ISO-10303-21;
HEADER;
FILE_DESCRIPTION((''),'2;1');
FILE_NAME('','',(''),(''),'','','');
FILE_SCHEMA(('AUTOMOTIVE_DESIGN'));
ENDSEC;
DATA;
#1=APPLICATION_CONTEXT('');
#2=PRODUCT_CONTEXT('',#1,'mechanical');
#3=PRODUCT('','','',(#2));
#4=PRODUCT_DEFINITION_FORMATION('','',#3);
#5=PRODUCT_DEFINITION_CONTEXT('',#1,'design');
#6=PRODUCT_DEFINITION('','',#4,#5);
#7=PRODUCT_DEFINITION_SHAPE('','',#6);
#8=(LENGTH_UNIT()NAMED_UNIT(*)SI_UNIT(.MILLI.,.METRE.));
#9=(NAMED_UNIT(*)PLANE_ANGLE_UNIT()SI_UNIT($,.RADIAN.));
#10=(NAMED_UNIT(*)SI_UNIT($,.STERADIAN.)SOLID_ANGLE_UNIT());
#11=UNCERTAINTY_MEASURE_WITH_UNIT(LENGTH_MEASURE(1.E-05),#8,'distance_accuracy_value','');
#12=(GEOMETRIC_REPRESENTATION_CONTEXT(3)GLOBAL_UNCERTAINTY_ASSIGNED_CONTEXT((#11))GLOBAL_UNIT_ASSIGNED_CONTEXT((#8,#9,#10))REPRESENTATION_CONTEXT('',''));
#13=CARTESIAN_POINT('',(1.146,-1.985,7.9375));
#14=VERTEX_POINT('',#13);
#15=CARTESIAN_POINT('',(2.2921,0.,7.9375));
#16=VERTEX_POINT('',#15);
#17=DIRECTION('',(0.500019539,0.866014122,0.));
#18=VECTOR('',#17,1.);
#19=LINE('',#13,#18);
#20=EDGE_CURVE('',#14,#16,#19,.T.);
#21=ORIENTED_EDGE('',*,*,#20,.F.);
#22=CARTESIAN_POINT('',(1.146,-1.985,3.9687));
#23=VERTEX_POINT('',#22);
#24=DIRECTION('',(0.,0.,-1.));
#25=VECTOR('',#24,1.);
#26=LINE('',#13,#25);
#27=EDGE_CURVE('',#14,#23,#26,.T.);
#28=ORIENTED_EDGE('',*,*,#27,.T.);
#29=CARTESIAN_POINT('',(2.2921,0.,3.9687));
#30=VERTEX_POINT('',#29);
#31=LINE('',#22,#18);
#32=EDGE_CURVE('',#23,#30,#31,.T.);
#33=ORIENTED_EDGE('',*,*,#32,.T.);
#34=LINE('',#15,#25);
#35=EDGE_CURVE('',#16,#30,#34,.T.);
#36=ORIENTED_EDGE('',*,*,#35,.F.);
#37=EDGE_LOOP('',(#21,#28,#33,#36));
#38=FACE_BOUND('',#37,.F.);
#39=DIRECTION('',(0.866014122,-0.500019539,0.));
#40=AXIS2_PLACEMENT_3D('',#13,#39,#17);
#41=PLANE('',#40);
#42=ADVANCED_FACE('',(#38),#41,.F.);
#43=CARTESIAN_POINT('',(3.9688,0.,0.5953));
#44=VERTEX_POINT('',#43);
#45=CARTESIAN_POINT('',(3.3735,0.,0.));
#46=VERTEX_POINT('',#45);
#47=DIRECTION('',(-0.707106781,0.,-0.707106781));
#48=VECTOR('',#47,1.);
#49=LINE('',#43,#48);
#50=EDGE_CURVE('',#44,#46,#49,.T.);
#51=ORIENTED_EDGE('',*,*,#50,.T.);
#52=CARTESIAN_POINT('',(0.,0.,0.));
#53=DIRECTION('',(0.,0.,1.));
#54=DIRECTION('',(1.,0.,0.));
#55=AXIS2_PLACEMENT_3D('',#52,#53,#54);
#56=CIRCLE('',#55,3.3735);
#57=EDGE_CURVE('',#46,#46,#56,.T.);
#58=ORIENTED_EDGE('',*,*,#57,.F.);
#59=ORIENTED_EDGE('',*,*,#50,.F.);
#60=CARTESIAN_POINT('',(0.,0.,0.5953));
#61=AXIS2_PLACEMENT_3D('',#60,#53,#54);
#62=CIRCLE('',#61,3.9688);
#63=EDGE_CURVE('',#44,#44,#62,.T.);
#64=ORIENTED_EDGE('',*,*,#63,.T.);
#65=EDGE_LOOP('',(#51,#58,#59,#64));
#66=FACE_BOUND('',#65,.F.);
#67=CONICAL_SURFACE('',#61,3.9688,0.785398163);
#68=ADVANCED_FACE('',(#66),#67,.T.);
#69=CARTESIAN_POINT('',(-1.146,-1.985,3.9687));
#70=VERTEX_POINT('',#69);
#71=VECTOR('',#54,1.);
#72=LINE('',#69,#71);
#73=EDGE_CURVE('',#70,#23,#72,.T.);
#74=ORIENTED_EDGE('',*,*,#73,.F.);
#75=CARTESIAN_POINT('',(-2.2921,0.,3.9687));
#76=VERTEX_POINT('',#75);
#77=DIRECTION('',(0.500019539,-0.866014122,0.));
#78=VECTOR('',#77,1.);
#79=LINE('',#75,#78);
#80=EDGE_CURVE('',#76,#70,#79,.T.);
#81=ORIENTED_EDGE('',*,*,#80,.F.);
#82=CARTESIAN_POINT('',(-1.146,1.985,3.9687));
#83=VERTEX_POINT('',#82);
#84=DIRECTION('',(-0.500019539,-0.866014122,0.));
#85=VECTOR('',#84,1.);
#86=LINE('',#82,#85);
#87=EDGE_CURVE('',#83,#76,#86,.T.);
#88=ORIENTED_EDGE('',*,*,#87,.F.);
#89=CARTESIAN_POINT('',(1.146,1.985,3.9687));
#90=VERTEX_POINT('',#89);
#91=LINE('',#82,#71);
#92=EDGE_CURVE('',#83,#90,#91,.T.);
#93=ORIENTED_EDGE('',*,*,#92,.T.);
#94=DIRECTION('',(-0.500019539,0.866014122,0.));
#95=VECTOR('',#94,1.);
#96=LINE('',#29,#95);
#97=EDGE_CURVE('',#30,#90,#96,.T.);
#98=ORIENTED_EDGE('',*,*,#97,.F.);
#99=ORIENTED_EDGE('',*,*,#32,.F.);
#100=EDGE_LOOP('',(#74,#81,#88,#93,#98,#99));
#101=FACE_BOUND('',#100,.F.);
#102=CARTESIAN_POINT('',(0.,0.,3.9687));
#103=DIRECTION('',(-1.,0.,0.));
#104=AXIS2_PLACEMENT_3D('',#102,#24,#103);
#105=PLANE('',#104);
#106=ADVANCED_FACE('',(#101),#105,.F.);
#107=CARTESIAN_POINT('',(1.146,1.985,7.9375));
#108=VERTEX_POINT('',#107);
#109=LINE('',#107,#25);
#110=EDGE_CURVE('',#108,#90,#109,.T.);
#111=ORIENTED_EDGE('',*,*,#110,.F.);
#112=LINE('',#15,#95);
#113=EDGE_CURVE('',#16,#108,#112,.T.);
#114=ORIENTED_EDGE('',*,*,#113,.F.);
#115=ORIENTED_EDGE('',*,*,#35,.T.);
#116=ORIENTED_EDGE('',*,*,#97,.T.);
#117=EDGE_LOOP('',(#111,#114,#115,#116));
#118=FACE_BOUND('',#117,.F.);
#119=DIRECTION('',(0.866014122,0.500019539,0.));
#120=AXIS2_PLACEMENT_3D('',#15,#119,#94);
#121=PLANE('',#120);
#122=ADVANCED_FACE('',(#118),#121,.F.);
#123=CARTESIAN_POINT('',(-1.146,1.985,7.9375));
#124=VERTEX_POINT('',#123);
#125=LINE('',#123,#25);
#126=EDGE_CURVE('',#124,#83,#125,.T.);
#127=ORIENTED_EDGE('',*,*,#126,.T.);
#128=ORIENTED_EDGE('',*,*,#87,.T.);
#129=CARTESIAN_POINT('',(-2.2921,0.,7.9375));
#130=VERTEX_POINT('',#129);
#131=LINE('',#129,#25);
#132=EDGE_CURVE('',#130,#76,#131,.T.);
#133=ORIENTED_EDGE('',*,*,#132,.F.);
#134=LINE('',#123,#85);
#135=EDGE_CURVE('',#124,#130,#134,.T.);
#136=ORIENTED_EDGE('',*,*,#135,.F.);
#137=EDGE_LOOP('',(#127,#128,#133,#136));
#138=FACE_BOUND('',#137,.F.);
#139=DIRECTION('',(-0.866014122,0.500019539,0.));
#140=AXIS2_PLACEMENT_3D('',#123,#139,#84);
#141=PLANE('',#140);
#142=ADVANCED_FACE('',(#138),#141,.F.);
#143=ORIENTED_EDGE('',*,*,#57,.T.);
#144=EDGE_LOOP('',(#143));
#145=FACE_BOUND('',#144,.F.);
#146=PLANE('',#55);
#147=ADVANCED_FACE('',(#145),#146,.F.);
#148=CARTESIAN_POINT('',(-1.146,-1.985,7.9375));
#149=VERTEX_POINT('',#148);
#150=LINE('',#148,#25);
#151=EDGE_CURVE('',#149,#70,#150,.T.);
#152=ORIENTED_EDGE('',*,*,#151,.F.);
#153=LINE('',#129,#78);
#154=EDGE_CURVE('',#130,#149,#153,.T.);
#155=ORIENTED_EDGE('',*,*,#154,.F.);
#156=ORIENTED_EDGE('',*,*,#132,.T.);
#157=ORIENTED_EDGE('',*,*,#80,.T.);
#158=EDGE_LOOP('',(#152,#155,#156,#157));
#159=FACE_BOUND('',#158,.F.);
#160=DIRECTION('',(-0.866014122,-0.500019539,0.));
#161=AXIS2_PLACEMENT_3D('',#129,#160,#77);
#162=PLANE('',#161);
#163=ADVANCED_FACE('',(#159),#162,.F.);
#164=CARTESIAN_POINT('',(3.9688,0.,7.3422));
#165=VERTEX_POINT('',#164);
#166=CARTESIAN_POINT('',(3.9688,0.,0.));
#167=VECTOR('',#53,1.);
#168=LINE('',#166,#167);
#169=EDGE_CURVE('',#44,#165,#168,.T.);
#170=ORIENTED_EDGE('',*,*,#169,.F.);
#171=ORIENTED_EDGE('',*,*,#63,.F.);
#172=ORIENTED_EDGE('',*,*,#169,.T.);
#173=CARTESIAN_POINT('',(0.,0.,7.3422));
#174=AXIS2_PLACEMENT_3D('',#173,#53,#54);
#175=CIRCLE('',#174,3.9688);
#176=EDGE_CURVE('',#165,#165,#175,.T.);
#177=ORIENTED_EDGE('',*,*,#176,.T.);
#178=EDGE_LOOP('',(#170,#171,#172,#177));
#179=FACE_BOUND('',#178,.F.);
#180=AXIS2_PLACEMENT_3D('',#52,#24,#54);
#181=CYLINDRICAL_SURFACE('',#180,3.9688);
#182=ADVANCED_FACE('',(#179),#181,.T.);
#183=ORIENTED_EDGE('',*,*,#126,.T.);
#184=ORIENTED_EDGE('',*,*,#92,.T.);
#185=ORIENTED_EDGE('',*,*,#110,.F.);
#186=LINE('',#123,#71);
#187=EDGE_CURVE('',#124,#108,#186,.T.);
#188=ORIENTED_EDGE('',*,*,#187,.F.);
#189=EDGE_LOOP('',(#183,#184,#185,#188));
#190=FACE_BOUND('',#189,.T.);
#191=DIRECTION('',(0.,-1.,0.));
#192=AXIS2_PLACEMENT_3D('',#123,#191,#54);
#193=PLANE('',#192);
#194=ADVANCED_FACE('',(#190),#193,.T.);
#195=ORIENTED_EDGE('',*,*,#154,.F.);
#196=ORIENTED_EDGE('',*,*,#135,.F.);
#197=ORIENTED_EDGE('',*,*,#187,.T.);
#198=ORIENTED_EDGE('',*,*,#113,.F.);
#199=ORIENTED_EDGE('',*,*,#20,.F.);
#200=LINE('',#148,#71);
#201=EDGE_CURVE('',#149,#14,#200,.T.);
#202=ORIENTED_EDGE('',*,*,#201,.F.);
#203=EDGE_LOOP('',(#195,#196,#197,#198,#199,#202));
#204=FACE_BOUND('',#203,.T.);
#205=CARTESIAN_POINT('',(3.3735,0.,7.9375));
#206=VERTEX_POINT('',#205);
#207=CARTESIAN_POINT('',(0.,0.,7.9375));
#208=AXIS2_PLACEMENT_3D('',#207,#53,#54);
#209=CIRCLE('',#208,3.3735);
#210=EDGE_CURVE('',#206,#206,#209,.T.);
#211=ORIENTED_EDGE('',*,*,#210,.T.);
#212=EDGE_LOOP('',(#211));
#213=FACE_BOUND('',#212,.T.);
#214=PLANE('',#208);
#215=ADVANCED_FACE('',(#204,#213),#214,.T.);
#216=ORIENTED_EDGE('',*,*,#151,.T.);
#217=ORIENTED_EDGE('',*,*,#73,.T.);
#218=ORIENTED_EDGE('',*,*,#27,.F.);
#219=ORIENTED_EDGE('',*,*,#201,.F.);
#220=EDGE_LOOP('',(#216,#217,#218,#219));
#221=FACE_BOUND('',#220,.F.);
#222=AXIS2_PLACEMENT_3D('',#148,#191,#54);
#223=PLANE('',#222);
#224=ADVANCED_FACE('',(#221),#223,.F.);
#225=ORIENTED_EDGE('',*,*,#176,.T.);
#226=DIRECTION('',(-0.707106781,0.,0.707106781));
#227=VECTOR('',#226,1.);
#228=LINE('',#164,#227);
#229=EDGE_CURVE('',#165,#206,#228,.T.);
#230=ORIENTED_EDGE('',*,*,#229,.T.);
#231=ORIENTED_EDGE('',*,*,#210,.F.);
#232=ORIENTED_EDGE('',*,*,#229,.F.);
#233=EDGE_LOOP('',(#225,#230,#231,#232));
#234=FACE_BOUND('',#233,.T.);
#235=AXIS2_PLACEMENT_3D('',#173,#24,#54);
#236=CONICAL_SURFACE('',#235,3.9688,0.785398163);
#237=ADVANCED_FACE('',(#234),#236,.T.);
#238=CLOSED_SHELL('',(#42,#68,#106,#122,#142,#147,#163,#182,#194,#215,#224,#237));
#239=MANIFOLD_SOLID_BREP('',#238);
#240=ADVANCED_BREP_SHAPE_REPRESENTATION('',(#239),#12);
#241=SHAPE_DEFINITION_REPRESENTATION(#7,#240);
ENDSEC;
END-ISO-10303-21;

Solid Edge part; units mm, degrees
sketch "Sketch1" plane through (0, 0, 0) normal (0, 0, 1) x (1, 0, 0)
  circle A0 centre (0, 0) radius 3.9688
  dimension "D1" = 7.9375
extrude "Protrusion1" add sketch "Sketch1" along normal blind 7.9375
chamfer "Chamfer1" distance 0.5953 angle 45 2 edges at (-3.9687, 0, 0) (-3.9687, 0, 7.9375)
sketch "Sketch2" plane through (0, 0, 7.9375) normal (0, 0, 1) x (1, 0, 0)
  line L0 (-1.146, 1.985) -> (1.146, 1.985)
  line L1 (2.2921, 0) -> (1.146, 1.985)
  line L2 (1.146, -1.985) -> (2.2921, 0)
  line L3 (-1.146, -1.985) -> (1.146, -1.985)
  line L4 (-2.2921, 0) -> (-1.146, -1.985)
  line L5 (-1.146, 1.985) -> (-2.2921, 0)
  dimension "D1" = 3.97
extrude "Cutout1" cut sketch "Sketch2" against normal blind 3.9688
properties part number "24100142"
